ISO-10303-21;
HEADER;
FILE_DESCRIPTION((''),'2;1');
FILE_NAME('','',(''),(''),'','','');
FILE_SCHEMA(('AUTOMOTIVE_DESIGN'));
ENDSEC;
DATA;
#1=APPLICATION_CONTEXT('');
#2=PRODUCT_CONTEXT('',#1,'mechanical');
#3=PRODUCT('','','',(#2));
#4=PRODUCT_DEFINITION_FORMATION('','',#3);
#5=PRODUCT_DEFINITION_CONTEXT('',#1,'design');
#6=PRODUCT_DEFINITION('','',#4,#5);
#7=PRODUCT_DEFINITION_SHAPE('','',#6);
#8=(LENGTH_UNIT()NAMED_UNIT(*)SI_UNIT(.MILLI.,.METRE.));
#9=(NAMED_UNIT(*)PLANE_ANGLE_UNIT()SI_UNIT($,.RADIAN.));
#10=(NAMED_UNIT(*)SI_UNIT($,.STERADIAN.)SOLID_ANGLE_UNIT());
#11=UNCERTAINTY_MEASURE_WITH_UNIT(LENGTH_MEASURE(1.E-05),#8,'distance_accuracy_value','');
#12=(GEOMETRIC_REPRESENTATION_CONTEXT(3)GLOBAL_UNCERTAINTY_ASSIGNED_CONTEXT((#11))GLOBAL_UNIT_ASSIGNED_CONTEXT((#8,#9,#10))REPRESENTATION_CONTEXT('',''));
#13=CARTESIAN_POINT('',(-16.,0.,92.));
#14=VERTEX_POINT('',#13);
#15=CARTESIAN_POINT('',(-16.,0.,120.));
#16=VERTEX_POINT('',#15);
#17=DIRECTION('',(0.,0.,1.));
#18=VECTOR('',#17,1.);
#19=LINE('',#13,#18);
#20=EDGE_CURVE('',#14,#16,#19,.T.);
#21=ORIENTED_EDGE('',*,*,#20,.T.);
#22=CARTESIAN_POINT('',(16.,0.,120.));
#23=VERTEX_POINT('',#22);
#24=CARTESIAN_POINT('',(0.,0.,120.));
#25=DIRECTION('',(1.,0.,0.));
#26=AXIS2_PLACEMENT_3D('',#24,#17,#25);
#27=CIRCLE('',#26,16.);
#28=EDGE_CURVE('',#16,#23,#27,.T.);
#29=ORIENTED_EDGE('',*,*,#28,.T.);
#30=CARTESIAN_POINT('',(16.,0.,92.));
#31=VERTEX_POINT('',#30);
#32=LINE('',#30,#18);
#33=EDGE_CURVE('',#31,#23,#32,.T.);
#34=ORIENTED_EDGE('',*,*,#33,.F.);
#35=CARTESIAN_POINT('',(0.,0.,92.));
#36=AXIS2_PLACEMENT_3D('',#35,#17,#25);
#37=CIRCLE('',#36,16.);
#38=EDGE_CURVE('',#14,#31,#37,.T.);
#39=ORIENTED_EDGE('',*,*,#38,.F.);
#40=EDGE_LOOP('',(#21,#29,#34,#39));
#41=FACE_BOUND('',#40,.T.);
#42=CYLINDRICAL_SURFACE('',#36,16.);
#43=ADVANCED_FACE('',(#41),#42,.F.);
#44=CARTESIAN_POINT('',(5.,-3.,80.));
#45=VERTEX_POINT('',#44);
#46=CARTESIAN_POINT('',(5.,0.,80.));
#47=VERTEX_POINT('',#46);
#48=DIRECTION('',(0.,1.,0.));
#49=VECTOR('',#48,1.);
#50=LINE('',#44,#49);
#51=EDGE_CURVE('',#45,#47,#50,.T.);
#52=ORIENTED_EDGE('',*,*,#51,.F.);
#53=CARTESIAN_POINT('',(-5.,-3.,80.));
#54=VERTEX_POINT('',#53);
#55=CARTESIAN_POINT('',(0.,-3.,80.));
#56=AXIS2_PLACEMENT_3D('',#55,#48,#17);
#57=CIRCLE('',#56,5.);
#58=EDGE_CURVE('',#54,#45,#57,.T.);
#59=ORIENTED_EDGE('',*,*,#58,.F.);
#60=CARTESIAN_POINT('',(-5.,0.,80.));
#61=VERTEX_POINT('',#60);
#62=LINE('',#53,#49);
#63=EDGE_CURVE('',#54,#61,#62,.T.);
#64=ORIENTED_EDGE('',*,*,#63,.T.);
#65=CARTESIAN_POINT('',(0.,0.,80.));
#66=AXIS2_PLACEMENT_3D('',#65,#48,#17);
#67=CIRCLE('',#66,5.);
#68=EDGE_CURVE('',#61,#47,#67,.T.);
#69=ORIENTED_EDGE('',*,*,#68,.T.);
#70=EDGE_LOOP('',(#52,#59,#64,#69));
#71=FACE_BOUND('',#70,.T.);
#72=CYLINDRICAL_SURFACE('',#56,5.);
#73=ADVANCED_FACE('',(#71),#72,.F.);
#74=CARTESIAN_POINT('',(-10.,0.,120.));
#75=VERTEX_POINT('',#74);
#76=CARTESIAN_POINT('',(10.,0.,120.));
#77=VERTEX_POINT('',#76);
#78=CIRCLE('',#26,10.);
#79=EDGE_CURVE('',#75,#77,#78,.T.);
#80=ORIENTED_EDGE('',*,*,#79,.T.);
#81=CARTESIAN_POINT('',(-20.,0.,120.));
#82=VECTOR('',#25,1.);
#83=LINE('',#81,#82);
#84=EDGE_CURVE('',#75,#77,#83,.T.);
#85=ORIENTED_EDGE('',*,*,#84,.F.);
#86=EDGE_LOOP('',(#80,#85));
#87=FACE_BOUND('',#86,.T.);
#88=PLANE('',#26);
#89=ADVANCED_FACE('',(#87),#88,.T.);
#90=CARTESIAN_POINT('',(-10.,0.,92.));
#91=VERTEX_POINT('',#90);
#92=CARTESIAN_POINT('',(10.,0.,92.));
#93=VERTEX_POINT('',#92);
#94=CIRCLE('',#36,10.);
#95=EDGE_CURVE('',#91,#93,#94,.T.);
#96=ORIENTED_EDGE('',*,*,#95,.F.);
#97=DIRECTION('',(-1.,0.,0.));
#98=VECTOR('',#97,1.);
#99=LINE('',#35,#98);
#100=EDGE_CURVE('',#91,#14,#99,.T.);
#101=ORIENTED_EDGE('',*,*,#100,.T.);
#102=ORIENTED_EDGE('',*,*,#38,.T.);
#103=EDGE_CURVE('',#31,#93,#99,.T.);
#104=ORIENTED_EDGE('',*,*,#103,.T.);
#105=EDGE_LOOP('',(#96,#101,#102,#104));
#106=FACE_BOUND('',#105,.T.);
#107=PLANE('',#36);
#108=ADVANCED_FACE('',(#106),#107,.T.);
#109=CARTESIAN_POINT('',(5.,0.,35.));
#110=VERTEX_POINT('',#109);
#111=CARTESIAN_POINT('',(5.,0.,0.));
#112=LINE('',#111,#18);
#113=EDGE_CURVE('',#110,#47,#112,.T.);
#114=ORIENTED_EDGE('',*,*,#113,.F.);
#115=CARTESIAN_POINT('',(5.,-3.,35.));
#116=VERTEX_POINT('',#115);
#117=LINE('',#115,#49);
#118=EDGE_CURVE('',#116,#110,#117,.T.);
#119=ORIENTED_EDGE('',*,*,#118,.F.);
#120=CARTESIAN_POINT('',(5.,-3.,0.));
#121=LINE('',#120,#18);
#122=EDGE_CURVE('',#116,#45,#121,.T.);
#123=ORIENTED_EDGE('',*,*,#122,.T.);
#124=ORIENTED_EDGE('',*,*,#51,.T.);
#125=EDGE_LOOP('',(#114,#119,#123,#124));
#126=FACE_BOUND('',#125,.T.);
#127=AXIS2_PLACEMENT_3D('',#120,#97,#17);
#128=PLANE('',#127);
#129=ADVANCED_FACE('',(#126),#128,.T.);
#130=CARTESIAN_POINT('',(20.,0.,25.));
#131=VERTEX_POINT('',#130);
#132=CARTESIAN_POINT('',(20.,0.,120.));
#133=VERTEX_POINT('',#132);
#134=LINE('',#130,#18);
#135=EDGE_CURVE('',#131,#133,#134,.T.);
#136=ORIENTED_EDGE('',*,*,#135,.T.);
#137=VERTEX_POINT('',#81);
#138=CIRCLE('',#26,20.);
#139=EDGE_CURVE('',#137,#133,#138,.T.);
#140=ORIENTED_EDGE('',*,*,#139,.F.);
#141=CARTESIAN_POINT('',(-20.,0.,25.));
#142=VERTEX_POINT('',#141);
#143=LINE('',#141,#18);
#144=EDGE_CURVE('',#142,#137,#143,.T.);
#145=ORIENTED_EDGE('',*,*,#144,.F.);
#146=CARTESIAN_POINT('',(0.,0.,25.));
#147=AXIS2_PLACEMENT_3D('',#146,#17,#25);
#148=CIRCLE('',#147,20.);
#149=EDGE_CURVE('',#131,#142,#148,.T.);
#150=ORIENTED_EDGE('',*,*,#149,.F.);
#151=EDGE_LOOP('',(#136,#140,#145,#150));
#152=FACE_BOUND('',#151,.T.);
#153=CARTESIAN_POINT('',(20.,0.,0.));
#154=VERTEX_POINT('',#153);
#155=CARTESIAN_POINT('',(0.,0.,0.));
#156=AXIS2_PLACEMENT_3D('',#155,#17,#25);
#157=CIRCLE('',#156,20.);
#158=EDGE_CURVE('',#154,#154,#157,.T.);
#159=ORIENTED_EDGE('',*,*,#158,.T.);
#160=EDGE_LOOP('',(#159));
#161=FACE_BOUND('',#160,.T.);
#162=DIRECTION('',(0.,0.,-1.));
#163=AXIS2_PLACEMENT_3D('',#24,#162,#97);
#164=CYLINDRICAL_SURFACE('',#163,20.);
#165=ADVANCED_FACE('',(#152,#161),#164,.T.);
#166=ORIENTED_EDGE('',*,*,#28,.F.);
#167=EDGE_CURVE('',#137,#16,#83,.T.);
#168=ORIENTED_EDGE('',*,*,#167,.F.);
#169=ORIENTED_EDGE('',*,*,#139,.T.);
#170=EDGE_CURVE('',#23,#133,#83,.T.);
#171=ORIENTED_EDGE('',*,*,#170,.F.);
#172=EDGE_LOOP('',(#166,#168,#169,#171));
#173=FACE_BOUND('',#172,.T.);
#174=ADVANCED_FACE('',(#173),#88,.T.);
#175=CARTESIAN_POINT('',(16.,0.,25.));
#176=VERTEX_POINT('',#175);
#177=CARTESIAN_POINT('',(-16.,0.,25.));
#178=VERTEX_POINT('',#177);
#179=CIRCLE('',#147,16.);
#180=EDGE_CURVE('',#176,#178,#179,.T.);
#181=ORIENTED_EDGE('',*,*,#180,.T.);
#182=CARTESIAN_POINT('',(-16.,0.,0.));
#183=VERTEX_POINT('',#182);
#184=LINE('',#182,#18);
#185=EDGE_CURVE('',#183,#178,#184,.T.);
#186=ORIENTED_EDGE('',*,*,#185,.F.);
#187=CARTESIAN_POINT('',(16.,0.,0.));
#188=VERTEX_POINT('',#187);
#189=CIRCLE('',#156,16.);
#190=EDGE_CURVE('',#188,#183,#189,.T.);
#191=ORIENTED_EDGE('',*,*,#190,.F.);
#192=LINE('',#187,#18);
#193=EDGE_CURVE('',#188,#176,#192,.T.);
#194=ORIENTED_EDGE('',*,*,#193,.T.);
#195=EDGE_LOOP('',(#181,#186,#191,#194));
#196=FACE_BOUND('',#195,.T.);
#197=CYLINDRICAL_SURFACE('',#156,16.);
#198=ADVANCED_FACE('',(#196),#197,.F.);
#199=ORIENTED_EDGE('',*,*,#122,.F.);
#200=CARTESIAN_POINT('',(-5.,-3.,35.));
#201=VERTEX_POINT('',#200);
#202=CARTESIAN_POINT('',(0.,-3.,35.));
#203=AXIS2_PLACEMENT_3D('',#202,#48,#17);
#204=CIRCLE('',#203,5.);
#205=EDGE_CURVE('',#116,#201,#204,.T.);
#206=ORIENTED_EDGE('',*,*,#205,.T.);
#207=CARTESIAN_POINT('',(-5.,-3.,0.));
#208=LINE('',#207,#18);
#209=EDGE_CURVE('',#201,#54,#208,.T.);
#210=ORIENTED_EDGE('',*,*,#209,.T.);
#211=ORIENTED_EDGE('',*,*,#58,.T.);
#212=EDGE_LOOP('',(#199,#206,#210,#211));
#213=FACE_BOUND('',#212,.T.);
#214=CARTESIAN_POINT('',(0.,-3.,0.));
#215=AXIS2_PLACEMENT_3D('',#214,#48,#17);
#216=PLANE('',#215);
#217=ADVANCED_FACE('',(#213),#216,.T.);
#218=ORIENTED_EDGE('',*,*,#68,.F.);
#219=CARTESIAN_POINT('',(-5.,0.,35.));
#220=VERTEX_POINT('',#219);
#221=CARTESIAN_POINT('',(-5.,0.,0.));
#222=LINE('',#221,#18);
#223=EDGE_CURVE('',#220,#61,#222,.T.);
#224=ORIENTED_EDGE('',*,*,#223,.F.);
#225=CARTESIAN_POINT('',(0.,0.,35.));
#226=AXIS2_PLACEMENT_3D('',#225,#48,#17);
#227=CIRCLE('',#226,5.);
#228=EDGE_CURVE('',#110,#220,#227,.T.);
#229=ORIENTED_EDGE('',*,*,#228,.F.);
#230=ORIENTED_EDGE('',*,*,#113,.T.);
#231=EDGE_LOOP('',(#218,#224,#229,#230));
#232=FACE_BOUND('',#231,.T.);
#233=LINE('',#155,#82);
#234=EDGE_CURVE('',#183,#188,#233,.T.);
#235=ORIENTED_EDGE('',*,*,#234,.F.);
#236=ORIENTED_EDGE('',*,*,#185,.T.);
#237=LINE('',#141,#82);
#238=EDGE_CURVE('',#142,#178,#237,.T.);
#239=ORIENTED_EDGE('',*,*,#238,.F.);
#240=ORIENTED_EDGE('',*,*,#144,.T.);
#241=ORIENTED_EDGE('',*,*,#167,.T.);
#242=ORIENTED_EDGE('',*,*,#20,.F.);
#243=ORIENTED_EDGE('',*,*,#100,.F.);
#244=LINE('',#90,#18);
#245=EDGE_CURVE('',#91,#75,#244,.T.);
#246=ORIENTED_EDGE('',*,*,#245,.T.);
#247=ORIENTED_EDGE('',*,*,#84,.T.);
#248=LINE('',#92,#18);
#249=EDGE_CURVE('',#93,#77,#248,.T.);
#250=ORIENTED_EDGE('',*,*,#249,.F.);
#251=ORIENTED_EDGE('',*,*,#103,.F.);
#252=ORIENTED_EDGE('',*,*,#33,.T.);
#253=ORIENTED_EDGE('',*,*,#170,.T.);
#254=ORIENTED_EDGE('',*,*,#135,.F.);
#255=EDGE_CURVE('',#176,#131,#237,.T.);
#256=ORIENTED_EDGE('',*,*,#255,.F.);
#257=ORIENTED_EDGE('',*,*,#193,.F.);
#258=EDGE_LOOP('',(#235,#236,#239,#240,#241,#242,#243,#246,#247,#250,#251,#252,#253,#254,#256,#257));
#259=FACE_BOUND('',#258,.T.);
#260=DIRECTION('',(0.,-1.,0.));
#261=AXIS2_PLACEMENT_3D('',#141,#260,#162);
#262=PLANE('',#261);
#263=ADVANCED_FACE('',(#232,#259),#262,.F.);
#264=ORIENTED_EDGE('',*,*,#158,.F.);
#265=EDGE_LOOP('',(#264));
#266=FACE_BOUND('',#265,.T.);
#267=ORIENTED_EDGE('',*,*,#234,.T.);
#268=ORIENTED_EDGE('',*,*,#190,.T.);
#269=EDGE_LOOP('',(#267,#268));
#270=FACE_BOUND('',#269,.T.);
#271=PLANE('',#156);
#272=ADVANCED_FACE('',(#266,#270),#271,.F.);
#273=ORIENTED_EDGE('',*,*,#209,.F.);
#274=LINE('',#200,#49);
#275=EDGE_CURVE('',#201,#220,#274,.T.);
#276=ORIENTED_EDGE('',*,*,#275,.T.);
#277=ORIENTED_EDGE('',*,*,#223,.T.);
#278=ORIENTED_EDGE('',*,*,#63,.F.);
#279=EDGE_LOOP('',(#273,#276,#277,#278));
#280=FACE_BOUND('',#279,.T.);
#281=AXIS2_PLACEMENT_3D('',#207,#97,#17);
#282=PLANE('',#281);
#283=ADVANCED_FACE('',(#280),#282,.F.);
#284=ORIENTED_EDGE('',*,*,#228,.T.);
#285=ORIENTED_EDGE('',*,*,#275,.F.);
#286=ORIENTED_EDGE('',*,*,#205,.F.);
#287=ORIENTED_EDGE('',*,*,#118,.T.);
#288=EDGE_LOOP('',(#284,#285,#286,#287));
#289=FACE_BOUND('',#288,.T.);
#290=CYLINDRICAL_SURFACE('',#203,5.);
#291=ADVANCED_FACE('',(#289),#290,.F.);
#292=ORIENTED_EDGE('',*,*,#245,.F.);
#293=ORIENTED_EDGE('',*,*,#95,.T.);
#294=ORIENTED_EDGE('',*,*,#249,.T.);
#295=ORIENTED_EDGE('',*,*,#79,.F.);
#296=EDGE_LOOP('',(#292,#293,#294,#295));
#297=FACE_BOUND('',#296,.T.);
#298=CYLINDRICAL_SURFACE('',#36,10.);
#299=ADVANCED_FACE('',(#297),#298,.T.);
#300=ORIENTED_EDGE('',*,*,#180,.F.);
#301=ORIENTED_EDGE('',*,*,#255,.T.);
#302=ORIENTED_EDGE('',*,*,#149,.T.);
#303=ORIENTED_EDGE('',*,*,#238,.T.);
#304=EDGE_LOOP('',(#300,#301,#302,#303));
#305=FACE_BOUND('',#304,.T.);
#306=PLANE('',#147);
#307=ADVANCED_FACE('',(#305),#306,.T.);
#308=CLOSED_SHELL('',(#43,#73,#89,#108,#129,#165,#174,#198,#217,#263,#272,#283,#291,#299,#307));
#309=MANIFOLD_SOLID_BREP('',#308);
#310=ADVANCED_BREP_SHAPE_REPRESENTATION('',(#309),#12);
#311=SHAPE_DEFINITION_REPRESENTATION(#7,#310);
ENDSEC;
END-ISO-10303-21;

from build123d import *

# Parameters (mm, degrees)
SKETCH2_R           = 20
BOSS_EXTRUDE2_DEPTH = 120
SKETCH2_3_R         = 20
BOSS_EXTRUDE3_DEPTH = 120
CUT_EXTRUDE1_START  = -95
CUT_EXTRUDE1_DEPTH  = 95
CUT_EXTRUDE2_DEPTH  = 100.121138008
CUT_EXTRUDE3_DEPTH  = 28
CUT_EXTRUDE4_DEPTH  = 3


with BuildPart() as part:
    # Sketch2 → Boss-Extrude2 (new body)
    with BuildSketch(Plane.XY):
        Circle(SKETCH2_R)
    extrude(amount=BOSS_EXTRUDE2_DEPTH)

    # Sketch2<3> → Boss-Extrude3 (add)
    with BuildSketch(Plane.XY):
        Circle(SKETCH2_3_R)
    extrude(amount=BOSS_EXTRUDE3_DEPTH)

    # Sketch4 → Cut-Extrude1 (cut)
    with BuildSketch(Plane.XY.offset(120).offset(CUT_EXTRUDE1_START)):
        with BuildLine():
            Line((-20, 0), (20, 0))
            ThreePointArc((20, 0), (0, 20), (-20, 0))
        make_face()
    extrude(amount=CUT_EXTRUDE1_DEPTH, mode=Mode.SUBTRACT)

    # Sketch5 → Cut-Extrude2 (cut, through all)
    with BuildSketch(Plane.XY.offset(25)):
        with BuildLine():
            ThreePointArc((16, 0), (0, 16), (-16, 0))
            Line((-16, 0), (16, 0))
        make_face()
    extrude(amount=-CUT_EXTRUDE2_DEPTH, mode=Mode.SUBTRACT)

    # Sketch6 → Cut-Extrude3 (cut)
    with BuildSketch(Plane.XY.offset(120)):
        with BuildLine():
            Line((-10, 0), (-16, 0))
            ThreePointArc((-16, 0), (0, -16), (16, 0))
            Line((16, 0), (10, 0))
            ThreePointArc((10, 0), (0, -10), (-10, 0))
        make_face()
    extrude(amount=-CUT_EXTRUDE3_DEPTH, mode=Mode.SUBTRACT)

    # Sketch7 → Cut-Extrude4 (cut)
    with BuildSketch(Plane(origin=(0, 0, 0), x_dir=(1, 0, 0), z_dir=(0, 1, 0))):
        with BuildLine():
            ThreePointArc((5, -35), (0, -30), (-5, -35))
            Line((-5, -35), (-5, -80))
            ThreePointArc((-5, -80), (0, -85), (5, -80))
            Line((5, -80), (5, -35))
        make_face()
    extrude(amount=-CUT_EXTRUDE4_DEPTH, mode=Mode.SUBTRACT)


solid = part.part
